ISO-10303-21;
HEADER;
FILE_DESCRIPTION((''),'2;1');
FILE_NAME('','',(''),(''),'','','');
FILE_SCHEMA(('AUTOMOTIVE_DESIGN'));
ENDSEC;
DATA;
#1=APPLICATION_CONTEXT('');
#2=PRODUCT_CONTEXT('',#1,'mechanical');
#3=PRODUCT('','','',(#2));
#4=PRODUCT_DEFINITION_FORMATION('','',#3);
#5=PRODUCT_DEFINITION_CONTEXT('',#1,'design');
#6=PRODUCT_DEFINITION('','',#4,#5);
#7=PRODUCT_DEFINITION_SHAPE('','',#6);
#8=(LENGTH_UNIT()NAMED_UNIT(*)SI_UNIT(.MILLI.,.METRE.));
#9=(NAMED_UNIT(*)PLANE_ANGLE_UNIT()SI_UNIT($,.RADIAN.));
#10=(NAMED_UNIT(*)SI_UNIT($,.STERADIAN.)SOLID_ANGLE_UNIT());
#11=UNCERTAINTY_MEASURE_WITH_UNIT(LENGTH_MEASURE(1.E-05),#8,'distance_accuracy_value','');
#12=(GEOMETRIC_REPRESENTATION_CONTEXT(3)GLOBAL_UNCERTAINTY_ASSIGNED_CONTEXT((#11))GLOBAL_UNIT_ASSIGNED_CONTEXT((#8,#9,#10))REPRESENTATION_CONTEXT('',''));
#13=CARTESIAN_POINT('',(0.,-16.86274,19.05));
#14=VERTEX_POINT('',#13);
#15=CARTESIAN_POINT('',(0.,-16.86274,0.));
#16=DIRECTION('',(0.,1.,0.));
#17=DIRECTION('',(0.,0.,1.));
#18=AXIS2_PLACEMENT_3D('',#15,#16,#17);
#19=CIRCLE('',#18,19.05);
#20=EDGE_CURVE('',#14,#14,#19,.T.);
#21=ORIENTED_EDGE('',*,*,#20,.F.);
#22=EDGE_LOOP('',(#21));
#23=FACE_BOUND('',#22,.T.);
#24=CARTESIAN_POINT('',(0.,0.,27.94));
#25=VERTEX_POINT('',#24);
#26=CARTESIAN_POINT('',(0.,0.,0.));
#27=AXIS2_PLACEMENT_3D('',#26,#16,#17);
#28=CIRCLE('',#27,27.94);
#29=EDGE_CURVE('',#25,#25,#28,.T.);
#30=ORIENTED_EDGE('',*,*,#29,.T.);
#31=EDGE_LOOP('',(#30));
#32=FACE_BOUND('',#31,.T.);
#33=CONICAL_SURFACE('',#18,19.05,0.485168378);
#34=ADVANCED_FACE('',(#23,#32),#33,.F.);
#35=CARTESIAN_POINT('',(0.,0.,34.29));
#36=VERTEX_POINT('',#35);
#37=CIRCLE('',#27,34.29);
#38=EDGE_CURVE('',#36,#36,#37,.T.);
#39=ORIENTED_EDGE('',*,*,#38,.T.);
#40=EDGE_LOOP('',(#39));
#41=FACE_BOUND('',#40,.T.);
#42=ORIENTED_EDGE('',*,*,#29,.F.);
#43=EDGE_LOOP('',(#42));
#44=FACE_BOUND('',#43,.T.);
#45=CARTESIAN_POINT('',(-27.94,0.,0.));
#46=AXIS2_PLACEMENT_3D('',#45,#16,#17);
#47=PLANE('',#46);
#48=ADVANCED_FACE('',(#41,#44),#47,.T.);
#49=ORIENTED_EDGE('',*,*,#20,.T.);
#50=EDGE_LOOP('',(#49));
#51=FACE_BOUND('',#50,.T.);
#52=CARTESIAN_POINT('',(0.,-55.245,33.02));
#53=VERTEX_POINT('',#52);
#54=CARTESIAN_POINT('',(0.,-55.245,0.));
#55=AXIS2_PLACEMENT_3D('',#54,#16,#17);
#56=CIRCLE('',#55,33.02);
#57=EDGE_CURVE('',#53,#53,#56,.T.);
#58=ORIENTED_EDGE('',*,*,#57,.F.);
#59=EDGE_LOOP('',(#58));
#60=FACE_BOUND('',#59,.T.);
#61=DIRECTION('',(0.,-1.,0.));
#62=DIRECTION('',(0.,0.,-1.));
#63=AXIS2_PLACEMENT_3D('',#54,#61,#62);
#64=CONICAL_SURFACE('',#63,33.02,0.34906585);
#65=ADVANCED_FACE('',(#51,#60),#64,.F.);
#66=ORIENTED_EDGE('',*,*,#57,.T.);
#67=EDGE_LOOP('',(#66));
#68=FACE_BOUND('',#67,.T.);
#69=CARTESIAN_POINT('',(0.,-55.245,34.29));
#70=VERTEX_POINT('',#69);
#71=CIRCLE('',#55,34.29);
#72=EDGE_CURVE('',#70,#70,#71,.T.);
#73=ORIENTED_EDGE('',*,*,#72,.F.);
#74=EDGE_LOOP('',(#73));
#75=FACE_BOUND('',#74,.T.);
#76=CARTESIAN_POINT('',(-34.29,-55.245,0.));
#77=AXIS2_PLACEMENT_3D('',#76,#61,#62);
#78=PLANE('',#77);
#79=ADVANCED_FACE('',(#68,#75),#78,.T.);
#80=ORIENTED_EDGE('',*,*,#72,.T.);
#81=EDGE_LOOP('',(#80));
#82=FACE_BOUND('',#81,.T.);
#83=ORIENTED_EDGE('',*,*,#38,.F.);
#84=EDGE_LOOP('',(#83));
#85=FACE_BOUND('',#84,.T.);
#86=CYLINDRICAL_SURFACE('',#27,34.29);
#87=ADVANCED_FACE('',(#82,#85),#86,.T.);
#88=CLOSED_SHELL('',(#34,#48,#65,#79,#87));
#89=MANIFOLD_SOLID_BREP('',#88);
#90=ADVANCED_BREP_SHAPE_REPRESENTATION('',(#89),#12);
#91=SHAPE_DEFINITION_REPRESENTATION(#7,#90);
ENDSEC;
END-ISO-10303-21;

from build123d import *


with BuildPart() as part:
    # Sketch1 → Revolve1 (revolve)
    with BuildSketch(Plane.XY, mode=Mode.PRIVATE) as revolve1_sk:
        Polygon((-27.94, 0), (-34.29, 0), (-34.29, -55.245), (-33.02, -55.245), (-19.05, -16.86274045), align=None)
    revolve(revolve1_sk.sketch.rotate(Axis((0, 0, 0), (0, -1, 0)), 270), axis=Axis((0, 0, 0), (0, -1, 0)))


solid = part.part
